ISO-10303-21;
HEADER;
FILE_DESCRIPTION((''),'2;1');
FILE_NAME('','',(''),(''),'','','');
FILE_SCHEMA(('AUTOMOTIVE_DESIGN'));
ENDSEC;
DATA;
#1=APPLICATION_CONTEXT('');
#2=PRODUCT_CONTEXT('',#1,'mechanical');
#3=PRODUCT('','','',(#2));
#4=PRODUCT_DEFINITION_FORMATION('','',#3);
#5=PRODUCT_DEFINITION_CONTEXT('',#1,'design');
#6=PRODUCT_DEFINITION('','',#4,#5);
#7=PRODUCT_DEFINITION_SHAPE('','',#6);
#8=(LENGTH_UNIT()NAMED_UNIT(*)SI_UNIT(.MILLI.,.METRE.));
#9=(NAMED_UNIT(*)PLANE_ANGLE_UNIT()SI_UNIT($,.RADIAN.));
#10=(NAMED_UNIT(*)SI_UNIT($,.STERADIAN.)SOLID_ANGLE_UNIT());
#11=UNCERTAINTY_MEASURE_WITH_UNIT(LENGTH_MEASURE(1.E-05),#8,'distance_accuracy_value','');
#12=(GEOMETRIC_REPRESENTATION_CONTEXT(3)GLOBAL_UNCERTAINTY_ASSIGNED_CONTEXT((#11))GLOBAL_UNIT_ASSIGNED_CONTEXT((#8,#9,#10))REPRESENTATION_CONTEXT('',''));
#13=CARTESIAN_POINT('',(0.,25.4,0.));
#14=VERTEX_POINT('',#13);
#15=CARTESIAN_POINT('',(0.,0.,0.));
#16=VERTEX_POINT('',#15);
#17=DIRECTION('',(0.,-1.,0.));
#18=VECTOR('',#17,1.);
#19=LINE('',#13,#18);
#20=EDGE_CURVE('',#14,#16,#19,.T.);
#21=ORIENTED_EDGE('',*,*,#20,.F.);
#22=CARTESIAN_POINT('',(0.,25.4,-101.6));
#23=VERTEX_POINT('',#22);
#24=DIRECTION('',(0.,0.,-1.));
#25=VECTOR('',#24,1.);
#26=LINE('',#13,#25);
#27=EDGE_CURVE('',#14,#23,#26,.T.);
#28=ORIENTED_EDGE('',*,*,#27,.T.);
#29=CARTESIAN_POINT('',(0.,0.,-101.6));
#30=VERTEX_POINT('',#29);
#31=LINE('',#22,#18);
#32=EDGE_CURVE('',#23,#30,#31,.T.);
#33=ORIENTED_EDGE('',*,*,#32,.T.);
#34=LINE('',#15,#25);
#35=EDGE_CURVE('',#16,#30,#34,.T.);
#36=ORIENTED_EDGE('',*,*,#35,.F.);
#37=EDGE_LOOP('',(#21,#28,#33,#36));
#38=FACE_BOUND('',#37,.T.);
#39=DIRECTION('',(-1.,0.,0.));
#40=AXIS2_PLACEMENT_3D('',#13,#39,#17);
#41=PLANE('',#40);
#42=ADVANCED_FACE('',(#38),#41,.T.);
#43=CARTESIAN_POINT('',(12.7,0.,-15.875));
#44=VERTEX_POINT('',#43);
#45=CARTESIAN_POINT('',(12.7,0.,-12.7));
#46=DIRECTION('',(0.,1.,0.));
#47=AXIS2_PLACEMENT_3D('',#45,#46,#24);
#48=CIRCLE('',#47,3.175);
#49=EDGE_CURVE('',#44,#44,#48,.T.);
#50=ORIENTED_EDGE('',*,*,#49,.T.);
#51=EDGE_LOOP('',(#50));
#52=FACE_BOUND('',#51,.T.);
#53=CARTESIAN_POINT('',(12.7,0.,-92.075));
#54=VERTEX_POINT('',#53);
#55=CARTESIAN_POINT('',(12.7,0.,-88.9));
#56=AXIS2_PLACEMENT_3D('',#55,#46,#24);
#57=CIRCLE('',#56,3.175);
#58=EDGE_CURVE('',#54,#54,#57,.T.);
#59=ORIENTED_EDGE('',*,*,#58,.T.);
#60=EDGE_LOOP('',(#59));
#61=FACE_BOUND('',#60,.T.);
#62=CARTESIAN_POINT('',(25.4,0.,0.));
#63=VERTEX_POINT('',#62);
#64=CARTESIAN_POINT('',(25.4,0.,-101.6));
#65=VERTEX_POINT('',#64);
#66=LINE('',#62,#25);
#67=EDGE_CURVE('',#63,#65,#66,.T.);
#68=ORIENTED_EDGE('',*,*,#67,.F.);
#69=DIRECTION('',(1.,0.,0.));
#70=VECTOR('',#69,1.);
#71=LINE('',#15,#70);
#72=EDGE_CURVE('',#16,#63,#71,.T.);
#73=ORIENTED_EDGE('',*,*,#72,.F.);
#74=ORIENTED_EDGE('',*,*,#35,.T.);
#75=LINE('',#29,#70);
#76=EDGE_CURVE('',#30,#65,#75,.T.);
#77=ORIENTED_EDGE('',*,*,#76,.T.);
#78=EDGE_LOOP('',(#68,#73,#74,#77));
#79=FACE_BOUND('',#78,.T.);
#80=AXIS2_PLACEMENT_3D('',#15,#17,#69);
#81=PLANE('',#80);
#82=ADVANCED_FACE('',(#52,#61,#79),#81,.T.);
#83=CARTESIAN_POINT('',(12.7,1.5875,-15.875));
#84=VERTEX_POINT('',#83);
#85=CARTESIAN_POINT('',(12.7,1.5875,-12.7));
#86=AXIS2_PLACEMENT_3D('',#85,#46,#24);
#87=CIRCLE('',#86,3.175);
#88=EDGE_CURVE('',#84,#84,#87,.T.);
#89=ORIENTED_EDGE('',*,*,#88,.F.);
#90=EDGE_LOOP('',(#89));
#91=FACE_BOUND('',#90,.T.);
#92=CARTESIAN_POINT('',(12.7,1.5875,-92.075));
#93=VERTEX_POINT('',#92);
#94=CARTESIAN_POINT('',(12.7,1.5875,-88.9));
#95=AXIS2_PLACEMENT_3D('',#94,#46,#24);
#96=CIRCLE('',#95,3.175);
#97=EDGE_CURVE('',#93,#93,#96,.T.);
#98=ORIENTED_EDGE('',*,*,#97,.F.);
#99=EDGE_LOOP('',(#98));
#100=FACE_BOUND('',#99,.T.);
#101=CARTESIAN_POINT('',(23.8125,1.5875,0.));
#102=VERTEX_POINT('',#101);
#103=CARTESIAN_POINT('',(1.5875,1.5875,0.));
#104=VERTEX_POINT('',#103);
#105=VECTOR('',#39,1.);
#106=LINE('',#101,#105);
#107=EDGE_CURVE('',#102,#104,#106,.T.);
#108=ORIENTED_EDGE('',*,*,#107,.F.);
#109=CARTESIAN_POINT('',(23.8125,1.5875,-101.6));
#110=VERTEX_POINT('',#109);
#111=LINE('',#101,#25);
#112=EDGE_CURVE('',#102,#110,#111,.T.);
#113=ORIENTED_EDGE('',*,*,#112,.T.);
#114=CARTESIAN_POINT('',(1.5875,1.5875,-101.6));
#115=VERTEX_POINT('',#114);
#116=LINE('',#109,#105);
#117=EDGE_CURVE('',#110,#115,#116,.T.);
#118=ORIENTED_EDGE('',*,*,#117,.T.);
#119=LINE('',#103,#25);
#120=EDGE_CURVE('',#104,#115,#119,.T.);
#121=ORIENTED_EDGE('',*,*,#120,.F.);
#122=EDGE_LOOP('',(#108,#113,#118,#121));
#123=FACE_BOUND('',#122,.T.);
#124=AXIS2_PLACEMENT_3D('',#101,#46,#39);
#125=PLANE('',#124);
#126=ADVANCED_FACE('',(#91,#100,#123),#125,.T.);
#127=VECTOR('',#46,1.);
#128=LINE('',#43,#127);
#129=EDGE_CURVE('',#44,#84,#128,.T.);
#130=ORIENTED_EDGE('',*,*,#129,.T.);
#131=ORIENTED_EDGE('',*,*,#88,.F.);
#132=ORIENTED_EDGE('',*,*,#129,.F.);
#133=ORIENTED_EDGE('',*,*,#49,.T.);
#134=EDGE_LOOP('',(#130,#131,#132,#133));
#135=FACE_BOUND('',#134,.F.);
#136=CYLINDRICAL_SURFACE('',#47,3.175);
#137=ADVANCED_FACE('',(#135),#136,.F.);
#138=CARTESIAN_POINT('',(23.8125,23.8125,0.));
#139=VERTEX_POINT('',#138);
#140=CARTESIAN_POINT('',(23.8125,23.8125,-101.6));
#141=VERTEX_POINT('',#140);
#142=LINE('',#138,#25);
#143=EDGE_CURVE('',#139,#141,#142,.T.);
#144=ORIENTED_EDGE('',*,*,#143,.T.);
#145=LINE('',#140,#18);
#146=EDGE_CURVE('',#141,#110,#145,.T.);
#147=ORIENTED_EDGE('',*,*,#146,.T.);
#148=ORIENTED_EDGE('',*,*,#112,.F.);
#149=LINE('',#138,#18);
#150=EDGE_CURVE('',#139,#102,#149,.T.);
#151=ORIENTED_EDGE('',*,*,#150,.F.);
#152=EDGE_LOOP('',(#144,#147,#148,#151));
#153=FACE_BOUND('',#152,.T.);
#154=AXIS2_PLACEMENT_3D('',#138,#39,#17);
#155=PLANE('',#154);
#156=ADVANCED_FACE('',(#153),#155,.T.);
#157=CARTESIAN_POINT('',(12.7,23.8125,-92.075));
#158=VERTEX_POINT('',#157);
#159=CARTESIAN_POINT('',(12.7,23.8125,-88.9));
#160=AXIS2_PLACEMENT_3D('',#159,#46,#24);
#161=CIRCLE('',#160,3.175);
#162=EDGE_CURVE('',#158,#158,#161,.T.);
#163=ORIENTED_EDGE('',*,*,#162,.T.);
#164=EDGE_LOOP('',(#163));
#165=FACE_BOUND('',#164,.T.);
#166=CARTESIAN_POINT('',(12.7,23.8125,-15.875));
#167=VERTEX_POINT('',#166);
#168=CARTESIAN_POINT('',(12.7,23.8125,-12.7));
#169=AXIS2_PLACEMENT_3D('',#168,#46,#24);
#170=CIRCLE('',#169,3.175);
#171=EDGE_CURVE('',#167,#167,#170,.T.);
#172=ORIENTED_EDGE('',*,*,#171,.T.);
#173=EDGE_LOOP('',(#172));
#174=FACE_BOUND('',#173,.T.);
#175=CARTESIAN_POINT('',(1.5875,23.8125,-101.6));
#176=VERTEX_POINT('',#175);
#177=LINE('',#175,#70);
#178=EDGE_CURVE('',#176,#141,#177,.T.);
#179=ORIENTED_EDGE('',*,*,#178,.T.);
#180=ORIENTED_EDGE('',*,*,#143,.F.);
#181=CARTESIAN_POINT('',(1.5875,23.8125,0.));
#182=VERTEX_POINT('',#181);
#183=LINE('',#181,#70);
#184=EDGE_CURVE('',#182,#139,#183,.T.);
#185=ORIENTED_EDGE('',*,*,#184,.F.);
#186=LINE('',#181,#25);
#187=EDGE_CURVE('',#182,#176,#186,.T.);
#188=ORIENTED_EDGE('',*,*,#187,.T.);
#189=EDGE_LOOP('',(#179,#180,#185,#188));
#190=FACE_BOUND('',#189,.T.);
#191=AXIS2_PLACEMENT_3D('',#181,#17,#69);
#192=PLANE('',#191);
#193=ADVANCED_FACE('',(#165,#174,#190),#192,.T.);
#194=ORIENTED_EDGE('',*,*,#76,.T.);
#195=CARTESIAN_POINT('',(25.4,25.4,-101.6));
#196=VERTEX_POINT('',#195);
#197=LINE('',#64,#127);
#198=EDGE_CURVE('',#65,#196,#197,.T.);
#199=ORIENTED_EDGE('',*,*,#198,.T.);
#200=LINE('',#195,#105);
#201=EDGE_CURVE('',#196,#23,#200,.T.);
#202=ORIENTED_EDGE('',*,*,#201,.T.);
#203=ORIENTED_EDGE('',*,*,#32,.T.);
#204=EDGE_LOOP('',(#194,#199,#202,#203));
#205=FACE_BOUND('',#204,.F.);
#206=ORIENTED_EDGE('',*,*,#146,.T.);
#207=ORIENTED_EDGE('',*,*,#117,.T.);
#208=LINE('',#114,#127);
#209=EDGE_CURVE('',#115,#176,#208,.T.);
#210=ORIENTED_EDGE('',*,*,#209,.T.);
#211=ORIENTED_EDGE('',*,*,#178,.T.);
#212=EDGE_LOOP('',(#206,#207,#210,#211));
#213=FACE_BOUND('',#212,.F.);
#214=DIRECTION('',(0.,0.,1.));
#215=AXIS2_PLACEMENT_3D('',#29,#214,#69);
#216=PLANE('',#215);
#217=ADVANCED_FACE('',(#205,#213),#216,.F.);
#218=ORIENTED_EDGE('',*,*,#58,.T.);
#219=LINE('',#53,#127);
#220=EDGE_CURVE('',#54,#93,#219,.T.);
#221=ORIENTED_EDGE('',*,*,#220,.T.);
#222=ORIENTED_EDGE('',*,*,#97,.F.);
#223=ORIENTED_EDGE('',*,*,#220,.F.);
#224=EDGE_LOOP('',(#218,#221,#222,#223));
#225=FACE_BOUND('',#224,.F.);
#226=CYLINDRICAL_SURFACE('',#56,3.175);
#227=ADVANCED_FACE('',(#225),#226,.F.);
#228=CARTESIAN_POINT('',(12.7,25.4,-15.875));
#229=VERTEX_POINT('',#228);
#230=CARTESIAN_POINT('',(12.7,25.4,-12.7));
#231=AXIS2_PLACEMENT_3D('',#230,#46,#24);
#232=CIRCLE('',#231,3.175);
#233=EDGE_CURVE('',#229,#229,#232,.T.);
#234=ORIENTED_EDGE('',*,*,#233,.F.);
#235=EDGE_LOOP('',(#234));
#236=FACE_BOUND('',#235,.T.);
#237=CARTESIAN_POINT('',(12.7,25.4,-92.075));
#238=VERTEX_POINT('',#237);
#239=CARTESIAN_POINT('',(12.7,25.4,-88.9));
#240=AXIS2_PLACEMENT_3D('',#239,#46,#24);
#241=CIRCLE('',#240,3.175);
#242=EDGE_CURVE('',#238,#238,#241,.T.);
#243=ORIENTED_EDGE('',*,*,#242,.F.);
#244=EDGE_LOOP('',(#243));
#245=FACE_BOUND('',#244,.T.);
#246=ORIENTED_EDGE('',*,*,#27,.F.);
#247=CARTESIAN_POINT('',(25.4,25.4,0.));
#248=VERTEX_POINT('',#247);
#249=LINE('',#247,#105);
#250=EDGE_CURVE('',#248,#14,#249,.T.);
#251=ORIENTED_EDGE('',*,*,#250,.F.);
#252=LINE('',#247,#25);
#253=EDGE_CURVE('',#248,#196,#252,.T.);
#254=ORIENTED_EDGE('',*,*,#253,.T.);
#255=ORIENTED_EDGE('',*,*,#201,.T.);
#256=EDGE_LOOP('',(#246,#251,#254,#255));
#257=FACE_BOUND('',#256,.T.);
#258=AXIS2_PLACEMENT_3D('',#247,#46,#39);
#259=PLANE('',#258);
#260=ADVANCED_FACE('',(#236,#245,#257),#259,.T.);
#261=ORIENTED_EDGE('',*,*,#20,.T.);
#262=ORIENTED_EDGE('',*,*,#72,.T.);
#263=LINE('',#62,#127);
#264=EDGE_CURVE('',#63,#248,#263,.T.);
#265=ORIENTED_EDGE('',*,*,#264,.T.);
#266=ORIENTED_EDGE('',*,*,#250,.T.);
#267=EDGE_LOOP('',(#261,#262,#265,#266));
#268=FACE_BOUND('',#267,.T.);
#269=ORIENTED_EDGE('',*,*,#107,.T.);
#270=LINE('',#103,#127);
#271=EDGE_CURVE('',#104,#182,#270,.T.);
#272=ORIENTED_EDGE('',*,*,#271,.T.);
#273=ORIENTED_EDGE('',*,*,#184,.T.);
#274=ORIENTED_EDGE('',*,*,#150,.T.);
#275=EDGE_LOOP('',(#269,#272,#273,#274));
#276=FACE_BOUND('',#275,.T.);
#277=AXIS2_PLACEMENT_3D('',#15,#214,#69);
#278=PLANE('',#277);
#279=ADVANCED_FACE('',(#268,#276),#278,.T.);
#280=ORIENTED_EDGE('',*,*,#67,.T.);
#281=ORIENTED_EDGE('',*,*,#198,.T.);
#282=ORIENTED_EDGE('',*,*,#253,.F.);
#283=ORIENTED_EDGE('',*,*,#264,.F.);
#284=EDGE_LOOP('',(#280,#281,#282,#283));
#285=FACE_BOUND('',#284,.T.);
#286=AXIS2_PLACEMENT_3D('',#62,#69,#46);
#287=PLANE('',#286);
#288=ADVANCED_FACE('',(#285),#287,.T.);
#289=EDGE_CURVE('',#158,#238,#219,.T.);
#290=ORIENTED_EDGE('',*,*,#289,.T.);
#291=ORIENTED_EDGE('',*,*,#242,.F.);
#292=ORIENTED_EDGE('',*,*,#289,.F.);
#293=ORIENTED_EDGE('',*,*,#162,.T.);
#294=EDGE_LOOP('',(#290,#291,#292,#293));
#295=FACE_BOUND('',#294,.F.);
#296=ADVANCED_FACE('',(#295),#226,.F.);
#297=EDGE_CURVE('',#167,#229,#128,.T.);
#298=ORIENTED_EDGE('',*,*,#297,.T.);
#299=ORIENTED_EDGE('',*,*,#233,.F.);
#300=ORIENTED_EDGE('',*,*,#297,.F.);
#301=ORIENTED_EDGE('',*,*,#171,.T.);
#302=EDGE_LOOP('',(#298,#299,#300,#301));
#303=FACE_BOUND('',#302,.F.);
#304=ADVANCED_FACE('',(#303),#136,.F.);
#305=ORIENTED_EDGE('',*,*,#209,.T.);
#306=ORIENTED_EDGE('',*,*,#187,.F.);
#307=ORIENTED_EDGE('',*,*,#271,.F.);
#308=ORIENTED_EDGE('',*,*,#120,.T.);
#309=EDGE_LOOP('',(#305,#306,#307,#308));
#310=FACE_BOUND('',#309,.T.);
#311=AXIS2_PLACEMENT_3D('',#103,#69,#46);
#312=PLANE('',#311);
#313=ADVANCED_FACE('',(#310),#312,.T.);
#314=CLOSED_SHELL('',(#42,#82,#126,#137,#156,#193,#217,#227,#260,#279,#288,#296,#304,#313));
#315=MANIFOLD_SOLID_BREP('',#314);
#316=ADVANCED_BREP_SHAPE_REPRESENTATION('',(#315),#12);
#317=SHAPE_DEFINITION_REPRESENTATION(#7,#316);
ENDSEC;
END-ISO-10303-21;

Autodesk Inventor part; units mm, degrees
ref_plane "YZ Plane" through (0, 0, 0) normal (1, 0, 0) x (0, 1, 0)
ref_plane "XZ Plane" through (0, 0, 0) normal (0, 1, 0) x (-1, 0, 0)
ref_plane "XY Plane" through (0, 0, 0) normal (0, 0, 1) x (1, 0, 0)
sketch "Sketch1" plane through (0, 0, 0) normal (0, 0, 1) x (1, 0, 0)
  line L0 (0, 0) -> (25.4, 0)
  line L1 (25.4, 0) -> (25.4, 25.4)
  line L2 (25.4, 25.4) -> (0, 25.4)
  line L3 (0, 25.4) -> (0, 0)
  line L4 (1.5875, 23.8125) -> (23.8125, 23.8125)
  line L5 (23.8125, 23.8125) -> (23.8125, 1.5875)
  line L6 (23.8125, 1.5875) -> (1.5875, 1.5875)
  line L7 (1.5875, 1.5875) -> (1.5875, 23.8125)
  dimension "d0" = 25.4
  dimension "d1" = 25.4
  dimension "d2" = 1.5875
extrude "Extrusion1" add sketch "Sketch1" against normal blind 101.6
sketch "Sketch3" plane through (0, 0, 0) normal (0, -1, 0) x (1, 0, 0)
  line L0 (0, -101.6) -> (25.4, -101.6) projected
  line L1 (0, 0) -> (25.4, 0) projected
  point P0 (12.7, -12.7)
  point P1 (12.7, -88.9)
  dimension "d7" = 12.7
  dimension "d8" = 12.7
hole "Hole2" at (12.7, 0, -12.7) at (12.7, 0, -88.9) direction (0, 1, 0) diameter 6.35 depth 25.4 tip angle 118
properties part number "tube_l_f_in"
